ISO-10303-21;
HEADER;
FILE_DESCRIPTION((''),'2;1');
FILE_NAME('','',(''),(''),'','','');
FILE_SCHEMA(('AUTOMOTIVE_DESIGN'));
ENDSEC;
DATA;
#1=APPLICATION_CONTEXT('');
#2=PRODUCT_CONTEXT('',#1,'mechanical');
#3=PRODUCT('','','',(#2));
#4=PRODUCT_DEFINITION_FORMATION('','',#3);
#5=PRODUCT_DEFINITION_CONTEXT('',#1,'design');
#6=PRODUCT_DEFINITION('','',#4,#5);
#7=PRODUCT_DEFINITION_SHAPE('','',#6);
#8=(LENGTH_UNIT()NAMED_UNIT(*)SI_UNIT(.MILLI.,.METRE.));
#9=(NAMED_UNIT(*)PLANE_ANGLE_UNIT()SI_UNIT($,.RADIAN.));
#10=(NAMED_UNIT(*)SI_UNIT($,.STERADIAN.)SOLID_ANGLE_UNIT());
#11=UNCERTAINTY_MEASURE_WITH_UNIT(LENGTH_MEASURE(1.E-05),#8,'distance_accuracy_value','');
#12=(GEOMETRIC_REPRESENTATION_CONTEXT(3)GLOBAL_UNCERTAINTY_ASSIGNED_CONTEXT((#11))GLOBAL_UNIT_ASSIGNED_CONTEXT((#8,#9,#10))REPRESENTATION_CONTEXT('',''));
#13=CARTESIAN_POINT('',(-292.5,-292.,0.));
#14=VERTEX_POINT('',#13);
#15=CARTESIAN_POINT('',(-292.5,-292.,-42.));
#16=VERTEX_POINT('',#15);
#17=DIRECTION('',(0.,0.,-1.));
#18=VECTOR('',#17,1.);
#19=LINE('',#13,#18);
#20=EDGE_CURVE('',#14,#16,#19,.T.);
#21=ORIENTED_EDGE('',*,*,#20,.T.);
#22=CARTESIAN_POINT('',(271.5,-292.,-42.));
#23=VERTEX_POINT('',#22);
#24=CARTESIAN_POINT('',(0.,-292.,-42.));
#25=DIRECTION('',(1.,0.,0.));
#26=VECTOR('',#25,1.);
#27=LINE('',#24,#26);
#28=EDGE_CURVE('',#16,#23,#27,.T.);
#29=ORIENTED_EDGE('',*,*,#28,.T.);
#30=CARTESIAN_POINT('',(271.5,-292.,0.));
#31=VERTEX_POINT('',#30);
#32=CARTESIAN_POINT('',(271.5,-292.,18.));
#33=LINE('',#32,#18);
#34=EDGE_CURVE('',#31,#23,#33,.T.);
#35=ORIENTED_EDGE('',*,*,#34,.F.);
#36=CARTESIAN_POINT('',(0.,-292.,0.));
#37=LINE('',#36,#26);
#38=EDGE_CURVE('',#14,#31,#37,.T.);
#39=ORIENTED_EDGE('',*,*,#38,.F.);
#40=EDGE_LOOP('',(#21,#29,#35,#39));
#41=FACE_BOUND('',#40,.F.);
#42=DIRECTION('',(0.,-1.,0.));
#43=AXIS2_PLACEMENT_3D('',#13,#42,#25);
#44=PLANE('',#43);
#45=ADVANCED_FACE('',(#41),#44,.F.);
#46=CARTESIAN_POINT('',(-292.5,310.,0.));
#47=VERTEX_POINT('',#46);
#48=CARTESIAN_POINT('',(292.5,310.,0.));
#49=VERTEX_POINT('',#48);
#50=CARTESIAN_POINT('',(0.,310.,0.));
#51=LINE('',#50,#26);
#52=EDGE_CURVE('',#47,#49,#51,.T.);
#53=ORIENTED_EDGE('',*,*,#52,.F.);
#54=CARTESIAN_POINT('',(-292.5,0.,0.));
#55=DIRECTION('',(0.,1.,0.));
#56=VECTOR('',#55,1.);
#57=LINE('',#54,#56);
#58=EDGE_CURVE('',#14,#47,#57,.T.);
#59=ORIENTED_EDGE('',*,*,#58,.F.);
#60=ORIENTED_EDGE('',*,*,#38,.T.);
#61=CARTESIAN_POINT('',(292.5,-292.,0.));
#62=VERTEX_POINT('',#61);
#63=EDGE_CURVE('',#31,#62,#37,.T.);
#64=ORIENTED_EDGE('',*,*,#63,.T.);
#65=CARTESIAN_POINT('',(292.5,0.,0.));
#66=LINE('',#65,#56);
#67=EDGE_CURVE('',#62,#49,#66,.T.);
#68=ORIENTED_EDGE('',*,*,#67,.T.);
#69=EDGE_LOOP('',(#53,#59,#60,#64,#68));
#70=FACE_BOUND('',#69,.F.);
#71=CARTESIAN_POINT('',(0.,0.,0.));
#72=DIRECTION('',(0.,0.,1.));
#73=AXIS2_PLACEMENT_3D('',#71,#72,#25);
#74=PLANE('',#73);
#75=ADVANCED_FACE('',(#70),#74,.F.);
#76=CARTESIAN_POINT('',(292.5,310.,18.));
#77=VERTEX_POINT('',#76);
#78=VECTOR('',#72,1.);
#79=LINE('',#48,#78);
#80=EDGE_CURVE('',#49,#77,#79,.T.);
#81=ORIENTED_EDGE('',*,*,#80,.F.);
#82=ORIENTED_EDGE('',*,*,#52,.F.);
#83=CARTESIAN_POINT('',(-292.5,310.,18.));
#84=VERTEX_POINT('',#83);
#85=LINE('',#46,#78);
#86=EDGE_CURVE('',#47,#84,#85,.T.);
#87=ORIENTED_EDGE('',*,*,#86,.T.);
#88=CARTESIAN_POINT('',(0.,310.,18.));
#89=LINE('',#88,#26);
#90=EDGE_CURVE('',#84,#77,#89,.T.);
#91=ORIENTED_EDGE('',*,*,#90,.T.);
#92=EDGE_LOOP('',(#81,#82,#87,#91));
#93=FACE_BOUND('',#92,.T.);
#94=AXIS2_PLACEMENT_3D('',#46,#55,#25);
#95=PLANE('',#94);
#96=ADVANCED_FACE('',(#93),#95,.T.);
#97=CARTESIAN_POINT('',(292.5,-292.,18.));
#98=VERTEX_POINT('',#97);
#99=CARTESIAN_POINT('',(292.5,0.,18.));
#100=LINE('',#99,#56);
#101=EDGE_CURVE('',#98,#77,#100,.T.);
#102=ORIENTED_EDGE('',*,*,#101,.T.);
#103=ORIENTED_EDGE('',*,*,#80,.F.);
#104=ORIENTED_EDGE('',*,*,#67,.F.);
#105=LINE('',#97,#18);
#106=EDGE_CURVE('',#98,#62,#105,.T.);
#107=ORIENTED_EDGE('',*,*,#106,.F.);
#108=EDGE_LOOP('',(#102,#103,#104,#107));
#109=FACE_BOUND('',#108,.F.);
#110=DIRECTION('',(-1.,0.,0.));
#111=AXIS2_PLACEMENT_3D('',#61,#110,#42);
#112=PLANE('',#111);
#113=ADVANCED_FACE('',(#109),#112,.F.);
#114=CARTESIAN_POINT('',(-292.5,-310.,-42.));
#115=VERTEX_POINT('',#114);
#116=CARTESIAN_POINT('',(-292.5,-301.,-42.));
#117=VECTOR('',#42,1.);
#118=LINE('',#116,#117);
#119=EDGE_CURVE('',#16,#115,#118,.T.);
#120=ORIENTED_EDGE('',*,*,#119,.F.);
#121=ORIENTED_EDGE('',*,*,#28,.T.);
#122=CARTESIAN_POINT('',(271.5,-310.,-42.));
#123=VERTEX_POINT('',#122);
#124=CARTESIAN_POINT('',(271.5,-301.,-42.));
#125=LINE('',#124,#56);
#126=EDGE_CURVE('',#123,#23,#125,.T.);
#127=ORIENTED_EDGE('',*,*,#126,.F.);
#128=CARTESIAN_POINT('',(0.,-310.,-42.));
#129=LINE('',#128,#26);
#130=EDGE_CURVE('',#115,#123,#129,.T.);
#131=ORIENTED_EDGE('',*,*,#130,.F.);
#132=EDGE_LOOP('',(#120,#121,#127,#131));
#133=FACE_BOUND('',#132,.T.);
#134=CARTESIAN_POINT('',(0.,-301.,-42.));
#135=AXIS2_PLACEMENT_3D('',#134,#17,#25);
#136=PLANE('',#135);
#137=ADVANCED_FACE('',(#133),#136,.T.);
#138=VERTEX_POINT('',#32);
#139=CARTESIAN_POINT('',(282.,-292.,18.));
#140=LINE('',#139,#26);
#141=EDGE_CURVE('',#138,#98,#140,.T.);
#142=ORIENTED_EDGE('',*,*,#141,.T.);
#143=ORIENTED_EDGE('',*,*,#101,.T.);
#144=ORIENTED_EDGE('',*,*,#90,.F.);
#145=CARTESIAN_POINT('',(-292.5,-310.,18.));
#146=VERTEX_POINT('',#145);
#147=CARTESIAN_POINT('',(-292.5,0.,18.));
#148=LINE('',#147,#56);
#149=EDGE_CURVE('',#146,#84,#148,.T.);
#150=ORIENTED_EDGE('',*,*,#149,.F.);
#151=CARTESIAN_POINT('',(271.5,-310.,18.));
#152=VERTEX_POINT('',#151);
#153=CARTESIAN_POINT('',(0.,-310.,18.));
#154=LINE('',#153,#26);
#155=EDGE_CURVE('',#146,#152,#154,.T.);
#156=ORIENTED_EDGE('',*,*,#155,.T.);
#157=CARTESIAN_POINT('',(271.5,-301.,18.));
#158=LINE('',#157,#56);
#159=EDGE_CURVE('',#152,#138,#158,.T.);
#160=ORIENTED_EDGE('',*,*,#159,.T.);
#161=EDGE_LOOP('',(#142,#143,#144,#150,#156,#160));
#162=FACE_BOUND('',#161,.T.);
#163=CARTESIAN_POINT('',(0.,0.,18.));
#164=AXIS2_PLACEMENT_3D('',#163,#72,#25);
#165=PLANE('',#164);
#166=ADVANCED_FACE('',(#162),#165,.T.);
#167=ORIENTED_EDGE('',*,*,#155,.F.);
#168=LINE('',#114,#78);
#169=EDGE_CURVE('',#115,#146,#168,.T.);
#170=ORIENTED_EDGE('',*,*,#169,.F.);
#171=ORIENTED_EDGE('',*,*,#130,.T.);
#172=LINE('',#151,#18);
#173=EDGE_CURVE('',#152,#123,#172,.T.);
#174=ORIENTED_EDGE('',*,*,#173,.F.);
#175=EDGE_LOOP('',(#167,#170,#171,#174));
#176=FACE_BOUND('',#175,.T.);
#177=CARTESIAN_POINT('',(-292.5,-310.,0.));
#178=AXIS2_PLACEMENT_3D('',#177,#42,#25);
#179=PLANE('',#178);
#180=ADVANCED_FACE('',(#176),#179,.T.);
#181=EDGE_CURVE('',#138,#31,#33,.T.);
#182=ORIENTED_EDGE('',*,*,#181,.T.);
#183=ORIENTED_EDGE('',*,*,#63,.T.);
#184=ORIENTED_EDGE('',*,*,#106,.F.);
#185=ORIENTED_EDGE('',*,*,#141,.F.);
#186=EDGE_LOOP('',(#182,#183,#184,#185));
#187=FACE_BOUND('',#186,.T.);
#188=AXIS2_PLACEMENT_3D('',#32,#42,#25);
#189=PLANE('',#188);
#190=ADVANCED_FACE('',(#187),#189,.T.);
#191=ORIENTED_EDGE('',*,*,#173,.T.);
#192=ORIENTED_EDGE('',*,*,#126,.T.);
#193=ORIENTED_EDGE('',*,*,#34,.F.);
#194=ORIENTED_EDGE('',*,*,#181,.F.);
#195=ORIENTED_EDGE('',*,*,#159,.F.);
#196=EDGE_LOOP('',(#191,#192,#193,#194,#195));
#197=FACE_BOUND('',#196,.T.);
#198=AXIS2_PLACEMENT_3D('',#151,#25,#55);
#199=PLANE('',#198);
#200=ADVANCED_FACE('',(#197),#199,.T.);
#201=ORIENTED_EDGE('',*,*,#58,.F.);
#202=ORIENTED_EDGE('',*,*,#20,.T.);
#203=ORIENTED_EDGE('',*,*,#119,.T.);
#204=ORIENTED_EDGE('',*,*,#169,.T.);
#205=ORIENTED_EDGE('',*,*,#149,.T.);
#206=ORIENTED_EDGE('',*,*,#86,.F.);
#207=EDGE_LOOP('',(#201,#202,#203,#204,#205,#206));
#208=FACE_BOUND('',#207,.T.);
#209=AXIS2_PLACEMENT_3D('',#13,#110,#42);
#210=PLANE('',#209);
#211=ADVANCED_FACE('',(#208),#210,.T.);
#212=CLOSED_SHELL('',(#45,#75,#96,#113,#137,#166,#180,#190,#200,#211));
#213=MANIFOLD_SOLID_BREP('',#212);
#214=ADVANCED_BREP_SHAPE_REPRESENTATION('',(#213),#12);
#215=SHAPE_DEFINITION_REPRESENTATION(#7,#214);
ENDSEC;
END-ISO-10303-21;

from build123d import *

# Parameters (mm, degrees)
F0_W     = 585
F0_H     = 620
F1_DEPTH = 18
F2_W     = 585
F2_H     = 18
F3_DEPTH = 42
F4_W     = 21
F4_H     = 18
F5_DEPTH = 60


with BuildPart() as f1:
    # F0 (on Top) → F1 (new body)
    with BuildSketch(Plane.XY):
        Rectangle(F0_W, F0_H)
    extrude(amount=F1_DEPTH)

    # F2 (on face) → F3 (join)
    with BuildSketch(Plane(origin=(0, 0, 0), x_dir=(1, 0, 0), z_dir=(0, 0, -1))):
        with Locations((0, 301)):
            Rectangle(F2_W, F2_H)
    extrude(amount=F3_DEPTH)

    # F4 (on face) → F5 (cut)
    with BuildSketch(Plane.XY.offset(18)):
        with Locations((282, -301)):
            Rectangle(F4_W, F4_H)
    extrude(amount=-F5_DEPTH, mode=Mode.SUBTRACT)


solid = f1.part
